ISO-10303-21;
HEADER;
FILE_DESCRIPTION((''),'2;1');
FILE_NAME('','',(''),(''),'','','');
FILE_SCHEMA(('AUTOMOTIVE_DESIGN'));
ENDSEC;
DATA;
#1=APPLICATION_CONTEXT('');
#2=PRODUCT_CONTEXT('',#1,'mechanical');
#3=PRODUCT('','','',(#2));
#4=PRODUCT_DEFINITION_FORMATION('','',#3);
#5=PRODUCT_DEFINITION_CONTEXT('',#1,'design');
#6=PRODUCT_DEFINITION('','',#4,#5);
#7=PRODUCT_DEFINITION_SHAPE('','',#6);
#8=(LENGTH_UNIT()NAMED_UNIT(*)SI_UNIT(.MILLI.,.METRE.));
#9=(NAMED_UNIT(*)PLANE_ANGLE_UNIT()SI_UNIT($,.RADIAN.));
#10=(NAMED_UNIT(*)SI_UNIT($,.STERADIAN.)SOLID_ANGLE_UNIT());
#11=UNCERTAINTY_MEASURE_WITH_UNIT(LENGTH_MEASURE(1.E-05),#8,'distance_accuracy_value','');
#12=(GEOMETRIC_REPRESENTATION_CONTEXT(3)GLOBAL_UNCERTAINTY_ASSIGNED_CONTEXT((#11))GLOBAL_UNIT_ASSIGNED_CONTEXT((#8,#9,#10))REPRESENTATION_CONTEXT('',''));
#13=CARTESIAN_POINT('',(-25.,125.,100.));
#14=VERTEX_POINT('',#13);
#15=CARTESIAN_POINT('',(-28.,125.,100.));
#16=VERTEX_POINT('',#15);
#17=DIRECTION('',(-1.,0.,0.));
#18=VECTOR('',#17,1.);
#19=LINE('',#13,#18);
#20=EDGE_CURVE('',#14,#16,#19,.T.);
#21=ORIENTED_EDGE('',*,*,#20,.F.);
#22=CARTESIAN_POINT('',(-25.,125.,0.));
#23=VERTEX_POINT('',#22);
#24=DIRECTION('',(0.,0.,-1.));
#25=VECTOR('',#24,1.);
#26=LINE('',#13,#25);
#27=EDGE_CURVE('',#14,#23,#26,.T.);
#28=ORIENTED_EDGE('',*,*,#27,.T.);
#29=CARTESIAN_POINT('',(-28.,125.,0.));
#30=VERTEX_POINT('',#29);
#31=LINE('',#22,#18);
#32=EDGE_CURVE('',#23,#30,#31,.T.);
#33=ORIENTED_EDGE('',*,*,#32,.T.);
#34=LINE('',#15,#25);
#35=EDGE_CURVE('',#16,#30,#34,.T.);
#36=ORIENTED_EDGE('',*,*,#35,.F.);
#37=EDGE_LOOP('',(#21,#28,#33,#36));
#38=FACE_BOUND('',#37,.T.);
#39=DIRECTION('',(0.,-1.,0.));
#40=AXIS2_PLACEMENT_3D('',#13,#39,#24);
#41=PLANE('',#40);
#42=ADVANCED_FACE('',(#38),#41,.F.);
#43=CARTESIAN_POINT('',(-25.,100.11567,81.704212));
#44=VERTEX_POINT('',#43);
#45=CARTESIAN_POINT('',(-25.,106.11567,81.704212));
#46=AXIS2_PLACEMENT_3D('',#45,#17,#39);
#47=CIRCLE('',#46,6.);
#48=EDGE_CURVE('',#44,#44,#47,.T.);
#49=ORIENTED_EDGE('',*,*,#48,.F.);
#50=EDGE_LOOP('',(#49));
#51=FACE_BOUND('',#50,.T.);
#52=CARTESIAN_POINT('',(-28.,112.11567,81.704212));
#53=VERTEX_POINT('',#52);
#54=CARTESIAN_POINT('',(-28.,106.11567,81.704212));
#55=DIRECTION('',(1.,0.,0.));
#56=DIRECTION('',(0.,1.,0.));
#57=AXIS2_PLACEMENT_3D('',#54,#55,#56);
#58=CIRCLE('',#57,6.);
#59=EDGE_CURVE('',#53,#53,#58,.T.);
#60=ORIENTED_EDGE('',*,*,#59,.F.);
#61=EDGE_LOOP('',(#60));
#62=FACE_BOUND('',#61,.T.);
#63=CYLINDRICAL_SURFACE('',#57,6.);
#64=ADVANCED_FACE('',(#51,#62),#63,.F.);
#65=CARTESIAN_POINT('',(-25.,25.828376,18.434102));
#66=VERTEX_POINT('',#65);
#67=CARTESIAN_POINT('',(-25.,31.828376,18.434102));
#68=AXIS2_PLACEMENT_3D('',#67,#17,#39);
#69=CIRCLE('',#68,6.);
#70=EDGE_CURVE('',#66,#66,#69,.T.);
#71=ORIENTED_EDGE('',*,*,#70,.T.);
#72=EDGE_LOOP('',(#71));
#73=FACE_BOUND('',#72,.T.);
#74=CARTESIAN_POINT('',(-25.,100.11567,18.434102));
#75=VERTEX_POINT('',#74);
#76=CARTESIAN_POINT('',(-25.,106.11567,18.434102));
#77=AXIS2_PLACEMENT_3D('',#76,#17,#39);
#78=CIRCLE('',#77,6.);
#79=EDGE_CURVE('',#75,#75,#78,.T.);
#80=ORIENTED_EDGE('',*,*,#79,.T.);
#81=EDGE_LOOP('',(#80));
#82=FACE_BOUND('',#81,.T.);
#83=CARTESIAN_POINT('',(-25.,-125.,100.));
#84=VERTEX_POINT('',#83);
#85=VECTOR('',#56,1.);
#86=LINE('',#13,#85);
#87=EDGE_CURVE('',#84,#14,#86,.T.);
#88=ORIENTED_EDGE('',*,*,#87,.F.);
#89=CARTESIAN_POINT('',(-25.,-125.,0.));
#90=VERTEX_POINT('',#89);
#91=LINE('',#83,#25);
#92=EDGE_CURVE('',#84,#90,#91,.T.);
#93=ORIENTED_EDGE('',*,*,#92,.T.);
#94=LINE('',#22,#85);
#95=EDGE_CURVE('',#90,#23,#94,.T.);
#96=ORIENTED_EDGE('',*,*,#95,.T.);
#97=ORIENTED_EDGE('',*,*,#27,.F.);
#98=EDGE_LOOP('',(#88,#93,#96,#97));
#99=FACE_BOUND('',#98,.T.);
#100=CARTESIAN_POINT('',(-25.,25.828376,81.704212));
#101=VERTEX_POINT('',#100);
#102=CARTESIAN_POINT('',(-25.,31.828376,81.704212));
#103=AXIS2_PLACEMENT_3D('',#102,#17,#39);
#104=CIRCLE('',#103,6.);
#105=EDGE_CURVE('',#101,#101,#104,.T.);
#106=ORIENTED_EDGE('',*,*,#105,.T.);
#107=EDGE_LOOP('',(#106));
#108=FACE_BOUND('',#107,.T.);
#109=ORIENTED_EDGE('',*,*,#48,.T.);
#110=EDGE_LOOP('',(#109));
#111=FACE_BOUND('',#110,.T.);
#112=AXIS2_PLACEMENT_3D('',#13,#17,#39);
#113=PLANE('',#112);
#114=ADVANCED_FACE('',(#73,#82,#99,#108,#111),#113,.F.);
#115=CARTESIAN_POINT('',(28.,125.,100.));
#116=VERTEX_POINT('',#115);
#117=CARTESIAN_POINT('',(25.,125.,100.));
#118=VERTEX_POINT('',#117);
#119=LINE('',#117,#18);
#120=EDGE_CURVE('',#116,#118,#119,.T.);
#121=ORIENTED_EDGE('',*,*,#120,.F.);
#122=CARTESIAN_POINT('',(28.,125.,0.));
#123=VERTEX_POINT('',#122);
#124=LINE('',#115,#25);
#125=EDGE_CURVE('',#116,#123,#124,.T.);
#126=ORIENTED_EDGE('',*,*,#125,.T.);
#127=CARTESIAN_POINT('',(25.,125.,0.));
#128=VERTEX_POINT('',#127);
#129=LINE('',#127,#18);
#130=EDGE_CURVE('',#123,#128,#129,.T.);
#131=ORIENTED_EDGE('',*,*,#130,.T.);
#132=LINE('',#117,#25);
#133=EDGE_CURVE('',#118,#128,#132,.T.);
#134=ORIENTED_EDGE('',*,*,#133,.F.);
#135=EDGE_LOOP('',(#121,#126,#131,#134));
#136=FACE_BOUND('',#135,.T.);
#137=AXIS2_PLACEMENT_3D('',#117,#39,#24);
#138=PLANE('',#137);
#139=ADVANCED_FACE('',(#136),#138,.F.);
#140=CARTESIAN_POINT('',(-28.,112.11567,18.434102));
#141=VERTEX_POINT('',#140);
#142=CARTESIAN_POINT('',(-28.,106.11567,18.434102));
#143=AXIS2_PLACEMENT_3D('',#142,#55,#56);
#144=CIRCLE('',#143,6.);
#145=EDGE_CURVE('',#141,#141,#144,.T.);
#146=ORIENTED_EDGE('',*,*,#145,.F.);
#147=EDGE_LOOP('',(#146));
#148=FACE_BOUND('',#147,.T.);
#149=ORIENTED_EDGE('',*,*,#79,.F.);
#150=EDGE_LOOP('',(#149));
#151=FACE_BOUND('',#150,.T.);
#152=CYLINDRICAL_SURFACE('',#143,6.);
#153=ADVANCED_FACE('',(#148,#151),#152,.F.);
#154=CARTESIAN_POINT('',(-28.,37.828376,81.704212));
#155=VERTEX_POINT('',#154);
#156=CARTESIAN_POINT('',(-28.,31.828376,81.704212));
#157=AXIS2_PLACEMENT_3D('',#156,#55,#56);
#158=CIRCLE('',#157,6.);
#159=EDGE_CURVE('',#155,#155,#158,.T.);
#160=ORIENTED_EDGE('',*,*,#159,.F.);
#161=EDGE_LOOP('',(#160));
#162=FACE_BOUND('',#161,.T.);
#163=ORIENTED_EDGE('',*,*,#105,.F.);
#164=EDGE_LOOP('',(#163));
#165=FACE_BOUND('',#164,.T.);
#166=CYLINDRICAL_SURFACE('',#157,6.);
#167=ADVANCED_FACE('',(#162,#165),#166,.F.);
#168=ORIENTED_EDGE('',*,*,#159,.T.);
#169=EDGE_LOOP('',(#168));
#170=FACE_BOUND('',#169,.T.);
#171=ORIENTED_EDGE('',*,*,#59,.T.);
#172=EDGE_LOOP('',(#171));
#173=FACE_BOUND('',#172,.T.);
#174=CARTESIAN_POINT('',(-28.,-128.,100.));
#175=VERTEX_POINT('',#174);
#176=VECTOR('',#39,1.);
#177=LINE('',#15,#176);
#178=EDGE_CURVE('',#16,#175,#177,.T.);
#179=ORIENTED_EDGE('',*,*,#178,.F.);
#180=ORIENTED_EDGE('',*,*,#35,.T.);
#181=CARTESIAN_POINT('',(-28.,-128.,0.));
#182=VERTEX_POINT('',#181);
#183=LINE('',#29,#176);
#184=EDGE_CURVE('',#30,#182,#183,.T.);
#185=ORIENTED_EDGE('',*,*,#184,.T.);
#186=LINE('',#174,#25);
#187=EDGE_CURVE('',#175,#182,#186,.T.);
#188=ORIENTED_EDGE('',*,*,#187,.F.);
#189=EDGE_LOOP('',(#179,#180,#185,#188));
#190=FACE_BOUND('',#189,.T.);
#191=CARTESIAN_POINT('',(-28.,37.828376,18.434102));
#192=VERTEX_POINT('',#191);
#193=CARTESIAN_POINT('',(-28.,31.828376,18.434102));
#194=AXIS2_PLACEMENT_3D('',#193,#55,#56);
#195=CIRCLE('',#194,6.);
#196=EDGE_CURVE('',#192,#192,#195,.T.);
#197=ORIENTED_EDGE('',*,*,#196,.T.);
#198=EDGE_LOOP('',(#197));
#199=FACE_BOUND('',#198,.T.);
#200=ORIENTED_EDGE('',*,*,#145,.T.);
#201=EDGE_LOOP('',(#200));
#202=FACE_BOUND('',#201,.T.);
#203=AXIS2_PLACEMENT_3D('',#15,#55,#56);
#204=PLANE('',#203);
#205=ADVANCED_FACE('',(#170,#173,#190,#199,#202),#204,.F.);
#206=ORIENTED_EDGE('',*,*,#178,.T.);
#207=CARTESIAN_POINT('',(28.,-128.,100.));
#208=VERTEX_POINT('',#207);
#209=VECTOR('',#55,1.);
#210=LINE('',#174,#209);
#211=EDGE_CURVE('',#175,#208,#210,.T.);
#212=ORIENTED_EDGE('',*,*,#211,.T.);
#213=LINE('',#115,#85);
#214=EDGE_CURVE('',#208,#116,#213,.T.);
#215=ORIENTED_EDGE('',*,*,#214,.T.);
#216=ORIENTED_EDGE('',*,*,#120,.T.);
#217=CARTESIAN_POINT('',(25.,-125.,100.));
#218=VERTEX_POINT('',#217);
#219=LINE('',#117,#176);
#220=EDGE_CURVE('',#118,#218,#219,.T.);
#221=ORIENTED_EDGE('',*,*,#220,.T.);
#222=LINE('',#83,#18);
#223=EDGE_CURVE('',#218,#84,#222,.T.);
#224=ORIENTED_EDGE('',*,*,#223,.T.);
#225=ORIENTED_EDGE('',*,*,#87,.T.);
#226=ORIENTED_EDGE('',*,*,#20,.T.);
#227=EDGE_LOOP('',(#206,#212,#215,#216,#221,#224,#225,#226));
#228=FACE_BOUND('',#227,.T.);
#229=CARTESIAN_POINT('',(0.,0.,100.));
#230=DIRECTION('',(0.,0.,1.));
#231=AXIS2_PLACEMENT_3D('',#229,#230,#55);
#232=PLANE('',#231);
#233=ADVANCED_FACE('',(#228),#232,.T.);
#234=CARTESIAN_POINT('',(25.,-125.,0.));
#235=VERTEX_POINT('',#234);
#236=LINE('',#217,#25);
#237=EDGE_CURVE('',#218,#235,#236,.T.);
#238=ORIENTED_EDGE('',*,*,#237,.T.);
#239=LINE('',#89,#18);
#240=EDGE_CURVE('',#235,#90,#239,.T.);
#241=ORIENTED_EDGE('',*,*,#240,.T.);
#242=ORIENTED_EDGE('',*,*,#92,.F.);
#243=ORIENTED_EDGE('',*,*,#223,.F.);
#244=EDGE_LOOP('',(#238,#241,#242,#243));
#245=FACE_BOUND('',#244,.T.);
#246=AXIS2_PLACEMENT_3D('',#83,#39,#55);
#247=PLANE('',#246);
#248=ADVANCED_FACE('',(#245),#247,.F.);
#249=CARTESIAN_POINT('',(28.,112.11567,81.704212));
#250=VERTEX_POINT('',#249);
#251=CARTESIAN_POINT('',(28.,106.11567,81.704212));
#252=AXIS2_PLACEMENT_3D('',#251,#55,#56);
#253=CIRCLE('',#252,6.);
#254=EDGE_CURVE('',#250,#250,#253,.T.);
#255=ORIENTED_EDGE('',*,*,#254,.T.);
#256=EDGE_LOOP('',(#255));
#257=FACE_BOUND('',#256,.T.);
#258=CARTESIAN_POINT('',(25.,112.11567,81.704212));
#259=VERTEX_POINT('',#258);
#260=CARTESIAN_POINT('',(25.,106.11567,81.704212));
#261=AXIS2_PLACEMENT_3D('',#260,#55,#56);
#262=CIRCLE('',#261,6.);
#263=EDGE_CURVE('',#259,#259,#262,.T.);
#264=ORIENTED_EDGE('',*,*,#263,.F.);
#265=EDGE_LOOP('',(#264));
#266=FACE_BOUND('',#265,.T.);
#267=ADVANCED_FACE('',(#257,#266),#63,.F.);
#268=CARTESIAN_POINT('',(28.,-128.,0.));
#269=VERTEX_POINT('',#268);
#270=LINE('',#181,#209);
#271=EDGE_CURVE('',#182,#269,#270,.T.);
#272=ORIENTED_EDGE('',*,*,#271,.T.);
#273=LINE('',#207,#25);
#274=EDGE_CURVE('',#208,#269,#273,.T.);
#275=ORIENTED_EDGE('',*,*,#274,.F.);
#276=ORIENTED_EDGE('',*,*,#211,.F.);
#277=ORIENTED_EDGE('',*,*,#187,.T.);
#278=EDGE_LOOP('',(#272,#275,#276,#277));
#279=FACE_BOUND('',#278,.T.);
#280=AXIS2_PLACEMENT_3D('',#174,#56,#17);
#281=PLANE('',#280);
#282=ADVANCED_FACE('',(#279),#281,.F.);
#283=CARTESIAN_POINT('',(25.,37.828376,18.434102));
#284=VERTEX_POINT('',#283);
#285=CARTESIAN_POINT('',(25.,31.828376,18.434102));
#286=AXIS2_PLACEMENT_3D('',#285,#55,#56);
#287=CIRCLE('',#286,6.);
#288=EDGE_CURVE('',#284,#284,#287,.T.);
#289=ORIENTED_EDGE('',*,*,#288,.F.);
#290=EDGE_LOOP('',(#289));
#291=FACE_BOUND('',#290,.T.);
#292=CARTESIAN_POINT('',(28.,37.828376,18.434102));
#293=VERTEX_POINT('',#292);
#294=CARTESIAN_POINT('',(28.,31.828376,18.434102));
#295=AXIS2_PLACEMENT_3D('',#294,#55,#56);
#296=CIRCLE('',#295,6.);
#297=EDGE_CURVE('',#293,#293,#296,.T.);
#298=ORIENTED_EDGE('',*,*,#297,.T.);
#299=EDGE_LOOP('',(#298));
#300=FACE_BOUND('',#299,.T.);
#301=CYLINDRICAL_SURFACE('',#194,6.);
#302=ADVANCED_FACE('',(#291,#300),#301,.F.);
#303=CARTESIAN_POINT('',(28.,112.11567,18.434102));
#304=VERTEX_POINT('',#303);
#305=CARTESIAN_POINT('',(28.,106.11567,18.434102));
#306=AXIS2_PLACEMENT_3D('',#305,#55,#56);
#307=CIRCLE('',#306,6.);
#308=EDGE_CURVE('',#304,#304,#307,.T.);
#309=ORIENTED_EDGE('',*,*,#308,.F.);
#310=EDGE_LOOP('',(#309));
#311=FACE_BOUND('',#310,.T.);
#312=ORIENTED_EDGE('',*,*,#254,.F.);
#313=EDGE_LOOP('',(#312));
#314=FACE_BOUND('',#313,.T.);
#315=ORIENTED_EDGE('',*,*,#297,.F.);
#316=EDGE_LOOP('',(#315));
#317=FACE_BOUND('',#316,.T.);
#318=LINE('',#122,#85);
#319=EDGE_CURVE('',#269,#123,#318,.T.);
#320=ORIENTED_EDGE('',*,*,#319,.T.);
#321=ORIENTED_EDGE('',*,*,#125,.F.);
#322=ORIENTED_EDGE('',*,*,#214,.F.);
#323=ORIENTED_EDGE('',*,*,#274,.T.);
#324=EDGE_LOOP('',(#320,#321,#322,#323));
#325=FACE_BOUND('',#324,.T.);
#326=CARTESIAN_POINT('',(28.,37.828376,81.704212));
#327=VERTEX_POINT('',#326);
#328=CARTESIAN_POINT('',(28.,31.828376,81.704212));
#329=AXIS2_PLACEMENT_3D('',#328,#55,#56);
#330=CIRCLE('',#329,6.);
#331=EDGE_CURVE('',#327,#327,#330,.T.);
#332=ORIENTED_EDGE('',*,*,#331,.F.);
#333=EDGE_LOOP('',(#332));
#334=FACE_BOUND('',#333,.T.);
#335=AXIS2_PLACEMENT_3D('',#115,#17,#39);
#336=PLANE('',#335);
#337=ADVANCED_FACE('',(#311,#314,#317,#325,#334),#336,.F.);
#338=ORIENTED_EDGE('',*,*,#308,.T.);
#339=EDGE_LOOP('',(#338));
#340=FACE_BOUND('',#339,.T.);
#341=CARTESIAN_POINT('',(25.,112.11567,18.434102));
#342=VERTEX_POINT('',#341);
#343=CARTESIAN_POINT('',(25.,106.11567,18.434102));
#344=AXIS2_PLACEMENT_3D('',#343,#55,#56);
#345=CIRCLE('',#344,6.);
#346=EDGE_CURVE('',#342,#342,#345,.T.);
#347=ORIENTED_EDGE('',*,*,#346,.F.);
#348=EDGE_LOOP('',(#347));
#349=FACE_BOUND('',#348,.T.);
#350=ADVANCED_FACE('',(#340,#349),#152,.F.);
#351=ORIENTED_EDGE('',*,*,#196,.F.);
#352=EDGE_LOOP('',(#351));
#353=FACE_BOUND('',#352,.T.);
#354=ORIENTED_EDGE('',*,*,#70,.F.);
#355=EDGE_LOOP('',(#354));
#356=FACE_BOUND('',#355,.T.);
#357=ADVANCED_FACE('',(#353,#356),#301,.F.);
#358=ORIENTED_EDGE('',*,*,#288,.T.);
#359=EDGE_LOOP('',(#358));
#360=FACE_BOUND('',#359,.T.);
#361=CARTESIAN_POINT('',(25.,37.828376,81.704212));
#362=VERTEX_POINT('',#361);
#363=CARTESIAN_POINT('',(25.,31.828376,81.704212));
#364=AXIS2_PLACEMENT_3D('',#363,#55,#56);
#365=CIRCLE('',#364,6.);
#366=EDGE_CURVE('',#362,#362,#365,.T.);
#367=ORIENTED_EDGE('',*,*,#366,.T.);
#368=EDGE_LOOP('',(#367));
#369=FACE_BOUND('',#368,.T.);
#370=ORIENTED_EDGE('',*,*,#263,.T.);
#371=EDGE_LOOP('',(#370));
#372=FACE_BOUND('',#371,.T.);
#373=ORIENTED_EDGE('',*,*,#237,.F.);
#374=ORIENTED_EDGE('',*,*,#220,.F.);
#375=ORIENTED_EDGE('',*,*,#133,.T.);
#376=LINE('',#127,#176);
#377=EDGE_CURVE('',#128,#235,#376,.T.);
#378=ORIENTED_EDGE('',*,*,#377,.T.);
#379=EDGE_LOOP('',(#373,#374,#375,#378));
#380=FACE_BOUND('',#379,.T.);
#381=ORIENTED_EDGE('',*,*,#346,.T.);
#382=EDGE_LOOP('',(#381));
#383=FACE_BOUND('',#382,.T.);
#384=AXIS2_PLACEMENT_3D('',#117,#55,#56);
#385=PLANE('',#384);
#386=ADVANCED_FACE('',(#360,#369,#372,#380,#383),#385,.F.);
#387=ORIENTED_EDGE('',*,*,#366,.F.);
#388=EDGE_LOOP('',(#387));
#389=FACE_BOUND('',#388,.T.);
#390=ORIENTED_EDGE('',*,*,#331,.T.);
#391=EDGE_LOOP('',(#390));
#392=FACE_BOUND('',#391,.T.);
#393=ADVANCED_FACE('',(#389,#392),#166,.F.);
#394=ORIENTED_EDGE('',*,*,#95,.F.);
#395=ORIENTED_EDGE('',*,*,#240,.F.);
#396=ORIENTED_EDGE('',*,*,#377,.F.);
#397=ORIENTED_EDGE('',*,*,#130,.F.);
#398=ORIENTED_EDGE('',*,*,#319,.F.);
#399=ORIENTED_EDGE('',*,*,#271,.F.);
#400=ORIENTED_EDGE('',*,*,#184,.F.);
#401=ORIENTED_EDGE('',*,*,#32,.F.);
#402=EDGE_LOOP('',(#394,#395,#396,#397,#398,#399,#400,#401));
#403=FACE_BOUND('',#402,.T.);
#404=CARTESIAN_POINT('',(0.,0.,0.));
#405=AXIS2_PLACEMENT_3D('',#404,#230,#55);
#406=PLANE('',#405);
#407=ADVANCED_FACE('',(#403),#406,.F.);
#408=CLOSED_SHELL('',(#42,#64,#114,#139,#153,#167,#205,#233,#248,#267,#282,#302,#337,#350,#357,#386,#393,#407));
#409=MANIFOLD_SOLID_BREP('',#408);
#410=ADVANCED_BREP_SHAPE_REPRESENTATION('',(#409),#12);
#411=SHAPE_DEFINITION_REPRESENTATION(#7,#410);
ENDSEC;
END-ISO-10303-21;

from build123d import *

# Parameters (mm, degrees)
SALIENTE_EXTRUIR1_DEPTH = 100
CROQUIS2_R              = 6
CORTAR_EXTRUIR1_DEPTH   = 172.813852759


with BuildPart() as part:
    # Croquis1 → Saliente-Extruir1 (new body)
    with BuildSketch(Plane.XY):
        Polygon((-28, 125), (-28, -128), (28, -128), (28, 125), (25, 125), (25, -125), (-25, -125), (-25, 125), align=None)
    extrude(amount=SALIENTE_EXTRUIR1_DEPTH)

    # Croquis2 → Cortar-Extruir1 (cut, through all)
    with BuildSketch(Plane(origin=(28, 0, 0), x_dir=(0, 0, -1), z_dir=(1, 0, 0))):
        with Locations(Location((-81.704212475, 106.115669713, 0), (0, 0, 90))):
            Circle(CROQUIS2_R)
        with Locations(Location((-18.434102118, 106.115669713, 0), (0, 0, 90))):
            Circle(CROQUIS2_R)
        with Locations(Location((-18.434102118, 31.828375961, 0), (0, 0, 90))):
            Circle(CROQUIS2_R)
        with Locations(Location((-81.704212475, 31.828375961, 0), (0, 0, 90))):
            Circle(CROQUIS2_R)
    extrude(amount=-CORTAR_EXTRUIR1_DEPTH, mode=Mode.SUBTRACT)


solid = part.part
